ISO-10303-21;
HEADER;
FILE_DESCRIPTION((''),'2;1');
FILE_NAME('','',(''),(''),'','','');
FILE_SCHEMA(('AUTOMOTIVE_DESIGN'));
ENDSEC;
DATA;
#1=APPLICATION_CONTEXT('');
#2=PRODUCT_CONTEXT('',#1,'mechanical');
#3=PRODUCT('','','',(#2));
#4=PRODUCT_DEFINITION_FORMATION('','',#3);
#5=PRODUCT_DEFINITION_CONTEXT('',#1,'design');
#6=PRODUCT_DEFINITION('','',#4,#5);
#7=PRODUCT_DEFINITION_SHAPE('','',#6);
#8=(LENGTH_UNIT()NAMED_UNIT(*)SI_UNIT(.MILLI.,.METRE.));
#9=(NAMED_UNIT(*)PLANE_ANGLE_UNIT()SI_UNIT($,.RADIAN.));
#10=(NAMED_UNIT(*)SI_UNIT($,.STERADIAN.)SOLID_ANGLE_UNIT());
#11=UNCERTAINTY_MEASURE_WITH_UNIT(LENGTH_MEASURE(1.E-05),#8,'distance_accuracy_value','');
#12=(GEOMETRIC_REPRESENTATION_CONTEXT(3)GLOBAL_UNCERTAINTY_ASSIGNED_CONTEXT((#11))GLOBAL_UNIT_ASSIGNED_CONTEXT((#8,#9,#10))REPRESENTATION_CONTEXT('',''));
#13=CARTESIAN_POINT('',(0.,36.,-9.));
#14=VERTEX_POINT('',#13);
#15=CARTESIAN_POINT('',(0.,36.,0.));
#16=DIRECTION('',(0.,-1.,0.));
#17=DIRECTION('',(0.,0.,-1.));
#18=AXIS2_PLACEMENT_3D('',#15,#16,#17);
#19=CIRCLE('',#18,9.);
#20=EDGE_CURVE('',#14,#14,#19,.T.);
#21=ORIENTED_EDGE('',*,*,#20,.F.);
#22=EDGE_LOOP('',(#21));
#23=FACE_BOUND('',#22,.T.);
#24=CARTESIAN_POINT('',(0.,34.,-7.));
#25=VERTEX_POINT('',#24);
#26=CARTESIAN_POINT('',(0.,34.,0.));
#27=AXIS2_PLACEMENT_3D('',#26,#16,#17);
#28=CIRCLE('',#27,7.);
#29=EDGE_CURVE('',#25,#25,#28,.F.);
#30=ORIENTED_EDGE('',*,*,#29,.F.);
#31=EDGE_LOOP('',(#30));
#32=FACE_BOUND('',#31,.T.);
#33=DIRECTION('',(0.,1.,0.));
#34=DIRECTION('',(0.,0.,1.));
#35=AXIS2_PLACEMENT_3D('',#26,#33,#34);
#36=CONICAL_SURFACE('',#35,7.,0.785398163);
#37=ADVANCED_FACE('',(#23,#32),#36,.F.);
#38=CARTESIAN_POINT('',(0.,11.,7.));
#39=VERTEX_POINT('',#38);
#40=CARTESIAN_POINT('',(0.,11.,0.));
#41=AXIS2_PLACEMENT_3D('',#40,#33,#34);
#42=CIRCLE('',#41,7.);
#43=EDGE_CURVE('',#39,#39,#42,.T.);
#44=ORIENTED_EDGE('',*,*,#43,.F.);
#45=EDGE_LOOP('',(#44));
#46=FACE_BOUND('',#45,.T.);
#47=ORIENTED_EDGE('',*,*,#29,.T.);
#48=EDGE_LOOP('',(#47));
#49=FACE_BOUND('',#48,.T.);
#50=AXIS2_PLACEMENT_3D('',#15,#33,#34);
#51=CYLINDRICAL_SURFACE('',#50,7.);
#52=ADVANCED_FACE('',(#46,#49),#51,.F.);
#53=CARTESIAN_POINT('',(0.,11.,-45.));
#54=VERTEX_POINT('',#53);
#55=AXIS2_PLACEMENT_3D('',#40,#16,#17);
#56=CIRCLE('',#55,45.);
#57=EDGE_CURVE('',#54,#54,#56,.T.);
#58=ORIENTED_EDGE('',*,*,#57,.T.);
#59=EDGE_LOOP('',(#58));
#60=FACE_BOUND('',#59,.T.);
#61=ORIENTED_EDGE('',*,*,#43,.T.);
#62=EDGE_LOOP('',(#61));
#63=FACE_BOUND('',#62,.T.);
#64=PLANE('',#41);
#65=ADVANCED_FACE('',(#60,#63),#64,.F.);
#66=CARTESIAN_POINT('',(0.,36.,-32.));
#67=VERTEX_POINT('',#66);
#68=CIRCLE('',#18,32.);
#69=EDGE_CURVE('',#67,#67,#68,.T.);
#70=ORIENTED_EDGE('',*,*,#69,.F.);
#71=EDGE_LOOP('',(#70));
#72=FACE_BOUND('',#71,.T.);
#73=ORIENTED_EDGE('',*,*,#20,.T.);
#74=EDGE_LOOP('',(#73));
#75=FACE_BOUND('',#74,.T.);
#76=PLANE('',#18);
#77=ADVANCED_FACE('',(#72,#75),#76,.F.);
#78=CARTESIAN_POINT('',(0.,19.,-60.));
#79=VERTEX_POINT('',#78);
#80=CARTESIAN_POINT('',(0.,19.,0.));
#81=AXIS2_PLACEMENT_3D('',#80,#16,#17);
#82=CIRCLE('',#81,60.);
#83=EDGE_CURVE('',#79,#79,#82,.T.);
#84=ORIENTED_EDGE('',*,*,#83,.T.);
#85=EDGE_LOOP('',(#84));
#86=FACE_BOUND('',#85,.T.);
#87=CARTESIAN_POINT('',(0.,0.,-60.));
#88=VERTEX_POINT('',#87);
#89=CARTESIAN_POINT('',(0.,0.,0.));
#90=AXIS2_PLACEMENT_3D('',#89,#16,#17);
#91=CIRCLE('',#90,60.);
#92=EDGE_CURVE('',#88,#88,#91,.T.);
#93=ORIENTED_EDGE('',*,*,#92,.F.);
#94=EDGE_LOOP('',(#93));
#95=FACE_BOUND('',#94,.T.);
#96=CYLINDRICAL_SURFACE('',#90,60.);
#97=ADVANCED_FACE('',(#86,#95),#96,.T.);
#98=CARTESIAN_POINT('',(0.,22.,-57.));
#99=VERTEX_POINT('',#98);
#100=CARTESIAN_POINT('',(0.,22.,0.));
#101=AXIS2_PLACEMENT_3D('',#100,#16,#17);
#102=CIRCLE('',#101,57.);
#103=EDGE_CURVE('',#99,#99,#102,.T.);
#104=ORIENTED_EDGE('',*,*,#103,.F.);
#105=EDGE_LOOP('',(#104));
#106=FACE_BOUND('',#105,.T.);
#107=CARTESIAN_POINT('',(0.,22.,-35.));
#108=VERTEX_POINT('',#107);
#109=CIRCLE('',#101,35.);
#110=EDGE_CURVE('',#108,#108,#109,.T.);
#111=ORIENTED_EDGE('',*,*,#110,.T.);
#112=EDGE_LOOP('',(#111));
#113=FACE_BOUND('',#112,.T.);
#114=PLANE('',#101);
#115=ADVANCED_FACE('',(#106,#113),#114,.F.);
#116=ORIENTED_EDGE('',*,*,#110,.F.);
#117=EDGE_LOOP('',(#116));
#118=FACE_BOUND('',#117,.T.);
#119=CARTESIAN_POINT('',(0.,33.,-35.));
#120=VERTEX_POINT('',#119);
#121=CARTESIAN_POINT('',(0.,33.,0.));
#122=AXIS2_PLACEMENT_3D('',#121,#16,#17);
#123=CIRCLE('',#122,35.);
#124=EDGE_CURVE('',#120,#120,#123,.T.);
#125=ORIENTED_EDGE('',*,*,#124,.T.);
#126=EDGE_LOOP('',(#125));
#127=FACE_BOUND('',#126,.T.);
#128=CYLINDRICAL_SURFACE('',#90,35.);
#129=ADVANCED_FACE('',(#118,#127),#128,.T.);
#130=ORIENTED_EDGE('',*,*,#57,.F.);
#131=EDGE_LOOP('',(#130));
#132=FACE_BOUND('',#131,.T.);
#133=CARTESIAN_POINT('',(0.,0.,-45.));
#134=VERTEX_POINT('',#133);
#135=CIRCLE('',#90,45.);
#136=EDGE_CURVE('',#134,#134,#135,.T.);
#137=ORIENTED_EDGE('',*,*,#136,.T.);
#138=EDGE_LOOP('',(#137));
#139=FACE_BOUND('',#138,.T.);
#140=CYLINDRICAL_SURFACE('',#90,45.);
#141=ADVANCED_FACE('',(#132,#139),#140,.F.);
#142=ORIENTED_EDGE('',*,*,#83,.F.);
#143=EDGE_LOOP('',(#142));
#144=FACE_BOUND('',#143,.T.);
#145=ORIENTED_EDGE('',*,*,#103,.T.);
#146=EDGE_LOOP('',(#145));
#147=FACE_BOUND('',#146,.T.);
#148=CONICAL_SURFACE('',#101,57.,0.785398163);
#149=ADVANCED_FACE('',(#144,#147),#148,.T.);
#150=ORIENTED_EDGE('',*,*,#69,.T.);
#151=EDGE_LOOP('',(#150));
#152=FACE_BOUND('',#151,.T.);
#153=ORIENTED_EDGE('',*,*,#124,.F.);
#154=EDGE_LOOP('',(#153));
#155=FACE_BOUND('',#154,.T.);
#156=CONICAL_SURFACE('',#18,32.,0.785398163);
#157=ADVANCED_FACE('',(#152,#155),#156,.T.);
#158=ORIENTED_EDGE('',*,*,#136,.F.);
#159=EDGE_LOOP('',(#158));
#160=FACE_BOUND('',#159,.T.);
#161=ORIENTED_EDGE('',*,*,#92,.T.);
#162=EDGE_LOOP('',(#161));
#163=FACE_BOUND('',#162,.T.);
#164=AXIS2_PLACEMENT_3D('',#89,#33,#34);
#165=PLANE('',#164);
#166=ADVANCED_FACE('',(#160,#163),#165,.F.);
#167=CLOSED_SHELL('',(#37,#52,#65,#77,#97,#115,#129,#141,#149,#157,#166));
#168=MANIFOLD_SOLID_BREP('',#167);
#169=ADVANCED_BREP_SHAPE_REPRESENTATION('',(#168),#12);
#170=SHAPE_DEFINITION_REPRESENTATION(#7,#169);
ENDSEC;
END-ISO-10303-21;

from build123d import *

# Parameters (mm, degrees)
M16_TAPPED_HOLE1_D     = 14
M16_TAPPED_HOLE1_DEPTH = 42
CHAMFER1_SIZE          = 2


with BuildPart() as part:
    # Sketch1 → Revolve1 (revolve)
    with BuildSketch(Plane.XY, mode=Mode.PRIVATE) as revolve1_sk:
        Polygon((0, 36), (0, 11), (45, 11), (45, 0), (60, 0), (60, 19), (57, 22), (35, 22), (35, 33), (32, 36), align=None)
    revolve(revolve1_sk.sketch.rotate(Axis((0, 0, 0), (0, 1, 0)), 90), axis=Axis((0, 0, 0), (0, 1, 0)))

    # M16 Tapped Hole1
    with Locations(Plane(origin=(0, 36, 0), x_dir=(1, 0, 0), z_dir=(0, 1, 0))):
        with Locations((0, 0)):
            Hole(M16_TAPPED_HOLE1_D / 2, depth=M16_TAPPED_HOLE1_DEPTH)

    # Chamfer1
    chamfer1_edges = [part.edges().sort_by_distance(p)[0] for p in [
        (7, 36, 0),
    ]]
    chamfer(chamfer1_edges, length=CHAMFER1_SIZE)


solid = part.part
